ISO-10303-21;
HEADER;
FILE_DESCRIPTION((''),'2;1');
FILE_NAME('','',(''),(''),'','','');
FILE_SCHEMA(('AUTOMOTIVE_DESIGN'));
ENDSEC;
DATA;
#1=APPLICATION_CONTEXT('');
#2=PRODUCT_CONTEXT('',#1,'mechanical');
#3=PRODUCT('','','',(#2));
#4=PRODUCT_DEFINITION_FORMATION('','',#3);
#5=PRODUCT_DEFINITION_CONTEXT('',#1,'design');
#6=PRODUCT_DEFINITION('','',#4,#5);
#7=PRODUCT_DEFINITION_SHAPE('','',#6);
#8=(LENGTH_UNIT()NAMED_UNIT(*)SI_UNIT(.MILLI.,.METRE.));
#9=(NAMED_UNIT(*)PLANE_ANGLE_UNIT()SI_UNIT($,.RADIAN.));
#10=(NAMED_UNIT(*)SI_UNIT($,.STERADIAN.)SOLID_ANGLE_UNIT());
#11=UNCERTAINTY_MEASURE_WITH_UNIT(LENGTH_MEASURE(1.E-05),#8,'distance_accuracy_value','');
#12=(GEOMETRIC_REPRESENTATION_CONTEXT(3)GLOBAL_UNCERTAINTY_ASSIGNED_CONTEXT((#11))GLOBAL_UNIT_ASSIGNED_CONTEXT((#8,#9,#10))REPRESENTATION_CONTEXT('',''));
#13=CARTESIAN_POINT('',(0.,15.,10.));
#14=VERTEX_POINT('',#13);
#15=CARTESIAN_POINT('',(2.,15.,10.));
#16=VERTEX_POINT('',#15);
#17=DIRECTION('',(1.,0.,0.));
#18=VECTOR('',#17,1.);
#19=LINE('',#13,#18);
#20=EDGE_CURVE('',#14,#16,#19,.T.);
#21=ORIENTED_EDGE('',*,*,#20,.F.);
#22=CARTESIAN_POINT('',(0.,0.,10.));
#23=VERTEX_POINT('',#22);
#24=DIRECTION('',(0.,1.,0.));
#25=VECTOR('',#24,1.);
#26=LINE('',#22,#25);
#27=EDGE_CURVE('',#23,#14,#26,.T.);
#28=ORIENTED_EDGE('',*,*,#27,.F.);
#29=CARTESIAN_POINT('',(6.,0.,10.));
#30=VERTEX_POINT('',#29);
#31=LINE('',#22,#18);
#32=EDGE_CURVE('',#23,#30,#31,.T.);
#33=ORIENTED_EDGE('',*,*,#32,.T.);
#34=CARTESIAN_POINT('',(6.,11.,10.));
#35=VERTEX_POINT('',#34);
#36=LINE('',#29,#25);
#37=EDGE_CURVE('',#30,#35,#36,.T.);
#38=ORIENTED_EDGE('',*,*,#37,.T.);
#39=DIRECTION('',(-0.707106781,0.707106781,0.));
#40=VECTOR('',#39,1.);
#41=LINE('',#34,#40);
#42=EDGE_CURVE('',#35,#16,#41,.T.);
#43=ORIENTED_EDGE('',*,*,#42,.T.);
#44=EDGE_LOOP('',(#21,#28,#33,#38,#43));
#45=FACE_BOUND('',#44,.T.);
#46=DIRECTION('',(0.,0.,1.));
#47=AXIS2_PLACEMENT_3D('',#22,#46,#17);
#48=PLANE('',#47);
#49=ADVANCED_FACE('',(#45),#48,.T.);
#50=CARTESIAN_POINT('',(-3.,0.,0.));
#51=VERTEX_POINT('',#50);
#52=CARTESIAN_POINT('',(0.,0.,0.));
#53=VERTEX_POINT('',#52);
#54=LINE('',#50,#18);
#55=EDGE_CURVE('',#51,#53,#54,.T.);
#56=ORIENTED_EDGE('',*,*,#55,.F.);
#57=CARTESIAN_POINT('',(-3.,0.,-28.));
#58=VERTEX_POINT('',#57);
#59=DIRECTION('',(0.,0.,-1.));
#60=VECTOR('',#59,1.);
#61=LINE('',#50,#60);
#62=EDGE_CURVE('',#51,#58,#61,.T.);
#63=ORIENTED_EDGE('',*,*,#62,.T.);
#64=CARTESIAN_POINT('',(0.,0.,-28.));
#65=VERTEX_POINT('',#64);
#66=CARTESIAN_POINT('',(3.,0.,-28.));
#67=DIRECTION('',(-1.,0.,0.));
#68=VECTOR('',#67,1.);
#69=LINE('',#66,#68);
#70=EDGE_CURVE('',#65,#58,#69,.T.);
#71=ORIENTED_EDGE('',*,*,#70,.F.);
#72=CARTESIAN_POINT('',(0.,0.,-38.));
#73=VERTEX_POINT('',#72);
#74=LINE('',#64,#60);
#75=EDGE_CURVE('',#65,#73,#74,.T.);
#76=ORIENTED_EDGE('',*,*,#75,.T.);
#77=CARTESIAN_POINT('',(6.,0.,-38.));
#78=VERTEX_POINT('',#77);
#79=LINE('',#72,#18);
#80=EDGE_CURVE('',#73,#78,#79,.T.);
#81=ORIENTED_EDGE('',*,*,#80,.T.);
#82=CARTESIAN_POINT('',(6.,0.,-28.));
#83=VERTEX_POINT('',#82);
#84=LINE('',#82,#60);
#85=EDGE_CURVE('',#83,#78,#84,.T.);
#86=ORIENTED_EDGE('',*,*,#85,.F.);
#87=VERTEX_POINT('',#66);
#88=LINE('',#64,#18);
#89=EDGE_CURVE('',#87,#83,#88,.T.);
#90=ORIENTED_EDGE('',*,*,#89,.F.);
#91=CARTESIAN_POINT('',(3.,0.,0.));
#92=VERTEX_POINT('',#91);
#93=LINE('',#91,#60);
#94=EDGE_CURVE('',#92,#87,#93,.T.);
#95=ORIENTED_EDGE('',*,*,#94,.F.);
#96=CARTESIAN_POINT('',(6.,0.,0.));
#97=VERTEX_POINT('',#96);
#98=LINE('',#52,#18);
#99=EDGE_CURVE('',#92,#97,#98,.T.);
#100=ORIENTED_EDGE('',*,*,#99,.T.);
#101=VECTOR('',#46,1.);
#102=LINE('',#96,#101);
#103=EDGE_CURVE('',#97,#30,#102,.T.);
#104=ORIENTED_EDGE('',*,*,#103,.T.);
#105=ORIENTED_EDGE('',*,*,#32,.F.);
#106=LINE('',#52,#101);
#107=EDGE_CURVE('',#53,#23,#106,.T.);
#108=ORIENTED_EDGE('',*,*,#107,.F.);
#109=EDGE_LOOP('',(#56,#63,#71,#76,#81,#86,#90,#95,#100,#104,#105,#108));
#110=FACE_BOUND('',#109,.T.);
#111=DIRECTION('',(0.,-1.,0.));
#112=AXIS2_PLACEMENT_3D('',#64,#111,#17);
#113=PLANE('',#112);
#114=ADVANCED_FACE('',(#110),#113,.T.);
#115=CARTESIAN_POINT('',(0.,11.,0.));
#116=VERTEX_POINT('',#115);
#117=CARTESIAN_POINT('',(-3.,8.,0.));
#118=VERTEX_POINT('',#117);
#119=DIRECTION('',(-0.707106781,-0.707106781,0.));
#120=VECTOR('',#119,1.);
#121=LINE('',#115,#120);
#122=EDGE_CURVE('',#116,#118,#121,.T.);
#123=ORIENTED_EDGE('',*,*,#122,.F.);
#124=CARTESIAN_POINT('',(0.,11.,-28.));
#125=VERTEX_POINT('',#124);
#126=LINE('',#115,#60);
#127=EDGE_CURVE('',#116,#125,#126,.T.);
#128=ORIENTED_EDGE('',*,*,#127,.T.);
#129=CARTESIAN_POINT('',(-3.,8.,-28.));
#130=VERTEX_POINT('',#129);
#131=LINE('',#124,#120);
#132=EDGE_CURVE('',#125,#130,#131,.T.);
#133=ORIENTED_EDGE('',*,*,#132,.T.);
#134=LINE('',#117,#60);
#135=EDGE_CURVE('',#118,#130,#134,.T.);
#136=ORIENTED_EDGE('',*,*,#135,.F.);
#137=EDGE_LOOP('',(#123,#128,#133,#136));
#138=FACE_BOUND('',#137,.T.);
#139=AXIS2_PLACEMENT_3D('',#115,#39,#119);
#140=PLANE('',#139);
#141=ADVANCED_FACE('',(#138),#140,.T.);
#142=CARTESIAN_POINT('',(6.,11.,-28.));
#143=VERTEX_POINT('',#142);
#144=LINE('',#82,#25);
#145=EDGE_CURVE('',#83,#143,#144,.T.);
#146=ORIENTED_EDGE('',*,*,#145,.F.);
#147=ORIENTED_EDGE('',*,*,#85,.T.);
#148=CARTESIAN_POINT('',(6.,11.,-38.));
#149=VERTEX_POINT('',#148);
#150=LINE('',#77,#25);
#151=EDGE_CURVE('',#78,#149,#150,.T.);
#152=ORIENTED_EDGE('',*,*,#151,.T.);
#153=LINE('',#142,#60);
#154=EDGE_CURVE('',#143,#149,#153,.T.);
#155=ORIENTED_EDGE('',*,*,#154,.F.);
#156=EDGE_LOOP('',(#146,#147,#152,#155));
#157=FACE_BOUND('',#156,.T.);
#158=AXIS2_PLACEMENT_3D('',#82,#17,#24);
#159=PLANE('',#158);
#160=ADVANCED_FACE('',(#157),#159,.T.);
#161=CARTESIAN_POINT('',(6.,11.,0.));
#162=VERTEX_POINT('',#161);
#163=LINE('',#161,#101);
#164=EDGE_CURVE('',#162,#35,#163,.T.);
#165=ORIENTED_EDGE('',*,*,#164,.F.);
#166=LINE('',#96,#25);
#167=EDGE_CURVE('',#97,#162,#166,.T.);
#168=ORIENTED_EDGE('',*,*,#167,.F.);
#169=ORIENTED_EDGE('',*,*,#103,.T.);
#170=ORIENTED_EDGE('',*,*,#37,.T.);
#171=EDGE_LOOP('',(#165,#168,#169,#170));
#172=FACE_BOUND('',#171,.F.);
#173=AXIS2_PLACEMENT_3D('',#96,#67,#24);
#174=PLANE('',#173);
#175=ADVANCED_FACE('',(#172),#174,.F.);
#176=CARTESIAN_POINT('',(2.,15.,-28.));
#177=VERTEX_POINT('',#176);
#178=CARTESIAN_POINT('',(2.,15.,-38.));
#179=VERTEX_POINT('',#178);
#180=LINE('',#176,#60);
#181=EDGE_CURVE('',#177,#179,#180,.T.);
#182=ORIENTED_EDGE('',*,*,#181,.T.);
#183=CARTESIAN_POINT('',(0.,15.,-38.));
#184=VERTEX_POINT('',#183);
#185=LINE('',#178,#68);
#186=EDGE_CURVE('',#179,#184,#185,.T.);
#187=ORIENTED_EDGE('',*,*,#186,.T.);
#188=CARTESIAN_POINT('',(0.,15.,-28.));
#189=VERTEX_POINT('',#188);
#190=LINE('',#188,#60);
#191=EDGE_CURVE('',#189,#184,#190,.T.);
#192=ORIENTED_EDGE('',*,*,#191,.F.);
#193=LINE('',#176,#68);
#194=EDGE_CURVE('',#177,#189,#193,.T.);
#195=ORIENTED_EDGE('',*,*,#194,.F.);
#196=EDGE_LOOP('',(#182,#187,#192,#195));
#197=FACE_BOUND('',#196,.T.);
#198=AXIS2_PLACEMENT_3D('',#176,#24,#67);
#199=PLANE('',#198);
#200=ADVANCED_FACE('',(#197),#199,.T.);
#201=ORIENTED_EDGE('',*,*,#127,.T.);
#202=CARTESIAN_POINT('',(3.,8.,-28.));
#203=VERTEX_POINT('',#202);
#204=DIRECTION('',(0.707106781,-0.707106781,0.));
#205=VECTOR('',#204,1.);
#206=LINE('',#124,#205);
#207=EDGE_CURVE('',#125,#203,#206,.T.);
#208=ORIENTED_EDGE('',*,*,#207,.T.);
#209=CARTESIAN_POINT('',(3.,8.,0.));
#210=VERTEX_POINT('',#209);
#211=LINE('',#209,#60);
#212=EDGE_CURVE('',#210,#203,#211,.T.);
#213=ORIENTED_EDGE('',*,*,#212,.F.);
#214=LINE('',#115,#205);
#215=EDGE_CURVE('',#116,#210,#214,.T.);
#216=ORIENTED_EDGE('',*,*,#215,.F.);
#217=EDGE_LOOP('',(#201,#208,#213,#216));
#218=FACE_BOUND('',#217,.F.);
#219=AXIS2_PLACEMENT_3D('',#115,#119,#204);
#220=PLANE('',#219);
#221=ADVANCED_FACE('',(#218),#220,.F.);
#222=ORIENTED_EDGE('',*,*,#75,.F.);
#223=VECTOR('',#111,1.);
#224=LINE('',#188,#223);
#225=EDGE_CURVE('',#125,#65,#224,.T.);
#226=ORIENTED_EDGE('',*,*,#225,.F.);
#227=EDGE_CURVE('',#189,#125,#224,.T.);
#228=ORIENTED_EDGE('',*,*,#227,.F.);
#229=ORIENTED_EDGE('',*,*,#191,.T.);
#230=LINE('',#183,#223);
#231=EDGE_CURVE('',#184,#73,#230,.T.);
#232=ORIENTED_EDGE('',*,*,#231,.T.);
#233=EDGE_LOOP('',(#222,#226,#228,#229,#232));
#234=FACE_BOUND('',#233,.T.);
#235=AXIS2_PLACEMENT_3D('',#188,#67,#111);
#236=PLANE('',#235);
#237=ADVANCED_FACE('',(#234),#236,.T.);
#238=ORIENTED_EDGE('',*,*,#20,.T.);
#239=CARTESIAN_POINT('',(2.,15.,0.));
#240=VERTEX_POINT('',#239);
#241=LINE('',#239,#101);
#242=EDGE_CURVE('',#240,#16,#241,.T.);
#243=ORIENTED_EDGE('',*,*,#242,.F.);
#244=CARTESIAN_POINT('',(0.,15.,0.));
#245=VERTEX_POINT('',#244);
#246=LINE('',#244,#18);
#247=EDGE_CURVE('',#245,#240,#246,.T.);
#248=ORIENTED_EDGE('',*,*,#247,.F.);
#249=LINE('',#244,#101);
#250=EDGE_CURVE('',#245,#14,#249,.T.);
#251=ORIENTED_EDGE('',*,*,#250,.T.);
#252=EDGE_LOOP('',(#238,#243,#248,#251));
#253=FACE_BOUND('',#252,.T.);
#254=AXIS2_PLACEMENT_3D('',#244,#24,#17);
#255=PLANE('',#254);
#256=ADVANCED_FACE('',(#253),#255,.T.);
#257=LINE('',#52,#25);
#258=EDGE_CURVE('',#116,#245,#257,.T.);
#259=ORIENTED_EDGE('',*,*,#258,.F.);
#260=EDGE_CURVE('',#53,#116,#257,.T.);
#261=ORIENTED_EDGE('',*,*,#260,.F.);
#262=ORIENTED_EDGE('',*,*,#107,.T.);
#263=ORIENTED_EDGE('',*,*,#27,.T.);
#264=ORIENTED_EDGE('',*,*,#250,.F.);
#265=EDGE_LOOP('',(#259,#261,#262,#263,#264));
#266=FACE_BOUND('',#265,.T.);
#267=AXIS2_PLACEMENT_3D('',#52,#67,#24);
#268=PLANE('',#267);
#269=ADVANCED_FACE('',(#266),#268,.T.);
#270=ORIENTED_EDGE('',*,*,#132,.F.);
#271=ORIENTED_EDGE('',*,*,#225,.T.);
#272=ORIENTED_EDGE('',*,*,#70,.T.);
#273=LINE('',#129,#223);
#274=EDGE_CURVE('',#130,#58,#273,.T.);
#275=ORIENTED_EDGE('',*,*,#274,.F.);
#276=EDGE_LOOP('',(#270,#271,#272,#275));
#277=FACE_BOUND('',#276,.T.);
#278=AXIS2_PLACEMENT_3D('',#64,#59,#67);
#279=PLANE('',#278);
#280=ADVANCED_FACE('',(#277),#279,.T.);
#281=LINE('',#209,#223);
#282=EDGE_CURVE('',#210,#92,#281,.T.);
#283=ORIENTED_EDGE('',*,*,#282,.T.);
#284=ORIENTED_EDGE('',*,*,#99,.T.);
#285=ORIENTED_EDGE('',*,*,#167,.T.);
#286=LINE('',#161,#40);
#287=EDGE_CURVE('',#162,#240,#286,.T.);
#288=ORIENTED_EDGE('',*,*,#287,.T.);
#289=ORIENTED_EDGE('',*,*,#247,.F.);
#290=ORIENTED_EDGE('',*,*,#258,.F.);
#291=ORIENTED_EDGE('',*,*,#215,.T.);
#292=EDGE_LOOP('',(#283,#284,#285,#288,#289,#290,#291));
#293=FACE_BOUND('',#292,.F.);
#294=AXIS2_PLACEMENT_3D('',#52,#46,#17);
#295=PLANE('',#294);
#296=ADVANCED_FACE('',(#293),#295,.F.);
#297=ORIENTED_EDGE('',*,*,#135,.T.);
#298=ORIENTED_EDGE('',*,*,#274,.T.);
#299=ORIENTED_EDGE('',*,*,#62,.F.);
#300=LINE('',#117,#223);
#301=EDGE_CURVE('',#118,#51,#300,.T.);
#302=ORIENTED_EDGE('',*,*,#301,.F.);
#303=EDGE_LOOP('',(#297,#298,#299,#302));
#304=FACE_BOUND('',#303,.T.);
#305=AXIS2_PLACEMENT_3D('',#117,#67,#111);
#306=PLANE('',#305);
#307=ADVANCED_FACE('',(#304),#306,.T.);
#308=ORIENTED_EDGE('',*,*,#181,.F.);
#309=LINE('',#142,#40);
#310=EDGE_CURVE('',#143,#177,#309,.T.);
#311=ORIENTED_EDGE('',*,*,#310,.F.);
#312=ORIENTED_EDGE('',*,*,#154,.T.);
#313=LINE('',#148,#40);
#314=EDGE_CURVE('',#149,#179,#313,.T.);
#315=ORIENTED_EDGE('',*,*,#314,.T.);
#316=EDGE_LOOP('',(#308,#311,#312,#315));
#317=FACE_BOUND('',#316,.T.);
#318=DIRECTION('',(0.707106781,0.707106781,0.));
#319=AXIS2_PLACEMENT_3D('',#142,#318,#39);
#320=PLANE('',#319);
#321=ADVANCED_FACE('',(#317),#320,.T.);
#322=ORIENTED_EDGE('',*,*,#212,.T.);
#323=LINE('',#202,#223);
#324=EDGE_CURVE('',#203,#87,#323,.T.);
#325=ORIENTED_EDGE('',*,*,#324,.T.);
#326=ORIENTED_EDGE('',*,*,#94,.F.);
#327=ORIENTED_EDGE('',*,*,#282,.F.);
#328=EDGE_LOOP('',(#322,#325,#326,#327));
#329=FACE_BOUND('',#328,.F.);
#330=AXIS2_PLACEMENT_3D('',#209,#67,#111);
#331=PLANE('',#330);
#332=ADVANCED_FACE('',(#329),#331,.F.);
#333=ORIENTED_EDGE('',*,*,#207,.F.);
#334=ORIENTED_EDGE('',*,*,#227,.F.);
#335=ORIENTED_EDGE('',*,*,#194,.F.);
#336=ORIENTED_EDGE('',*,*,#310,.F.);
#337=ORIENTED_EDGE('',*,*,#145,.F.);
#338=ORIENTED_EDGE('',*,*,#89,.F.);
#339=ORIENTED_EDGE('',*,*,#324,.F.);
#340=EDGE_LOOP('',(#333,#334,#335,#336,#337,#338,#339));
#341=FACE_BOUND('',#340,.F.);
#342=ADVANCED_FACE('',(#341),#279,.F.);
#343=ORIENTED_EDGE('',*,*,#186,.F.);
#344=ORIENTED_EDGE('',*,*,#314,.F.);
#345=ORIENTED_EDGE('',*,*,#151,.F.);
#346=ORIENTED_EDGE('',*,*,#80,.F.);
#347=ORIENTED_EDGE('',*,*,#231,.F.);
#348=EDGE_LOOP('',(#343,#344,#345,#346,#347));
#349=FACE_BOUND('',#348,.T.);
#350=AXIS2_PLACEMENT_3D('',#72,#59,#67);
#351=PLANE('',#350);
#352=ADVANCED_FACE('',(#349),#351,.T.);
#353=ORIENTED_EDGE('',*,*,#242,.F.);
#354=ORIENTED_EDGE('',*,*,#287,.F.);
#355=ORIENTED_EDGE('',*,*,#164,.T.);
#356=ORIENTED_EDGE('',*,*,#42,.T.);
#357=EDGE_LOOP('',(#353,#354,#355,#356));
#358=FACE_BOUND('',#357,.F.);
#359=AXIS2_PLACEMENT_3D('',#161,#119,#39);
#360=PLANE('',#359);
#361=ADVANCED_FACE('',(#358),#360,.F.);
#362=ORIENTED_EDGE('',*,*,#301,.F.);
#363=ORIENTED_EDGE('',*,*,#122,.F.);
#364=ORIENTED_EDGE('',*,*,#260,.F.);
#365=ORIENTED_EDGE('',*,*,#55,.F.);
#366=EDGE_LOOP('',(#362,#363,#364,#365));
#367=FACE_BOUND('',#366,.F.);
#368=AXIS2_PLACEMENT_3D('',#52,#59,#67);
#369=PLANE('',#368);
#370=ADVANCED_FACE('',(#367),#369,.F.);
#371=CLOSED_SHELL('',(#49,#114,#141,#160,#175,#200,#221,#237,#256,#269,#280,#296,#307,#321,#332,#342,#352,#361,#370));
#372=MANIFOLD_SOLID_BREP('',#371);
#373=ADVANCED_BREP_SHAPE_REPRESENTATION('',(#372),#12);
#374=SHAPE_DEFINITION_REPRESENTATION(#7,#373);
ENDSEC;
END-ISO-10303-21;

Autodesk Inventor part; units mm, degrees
ref_plane "YZ Plane" through (0, 0, 0) normal (1, 0, 0) x (0, 1, 0)
ref_plane "XZ Plane" through (0, 0, 0) normal (0, 1, 0) x (-1, 0, 0)
ref_plane "XY Plane" through (0, 0, 0) normal (0, 0, 1) x (1, 0, 0)
sketch "Sketch1" plane through (0, 0, 0) normal (0, 0, 1) x (1, 0, 0)
  line L0 (0, 0) -> (0, 15)
  line L1 (0, 15) -> (2, 15)
  line L2 (0, 0) -> (6, 0)
  line L3 (6, 0) -> (6, 11)
  line L4 (6, 11) -> (2, 15)
  dimension "d0" = 15
  dimension "d1" = 2
  dimension "d2" = 6
  dimension "d3" = 11
extrude "Extrusion1" add sketch "Sketch1" along normal blind 10
sketch "Sketch2" plane through (0, 0, 0) normal (0, 0, -1) x (-1, 0, 0)
  line L0 (0, 15) -> (0, 0) projected
  line L1 (0, 0) -> (-3, 0)
  line L2 (0, 0) -> (-6, 0) projected
  line L3 (-6, 11) -> (-2, 15) projected
  line L4 (0, 0) -> (3, 0)
  line L5 (0, 11) -> (-3, 8)
  line L6 (0, 11) -> (3, 8)
  line L7 (-3, 8) -> (-3, 0)
  line L8 (3, 8) -> (3, 0)
extrude "Extrusion2" add sketch "Sketch2" along normal blind 28
sketch "Sketch3" plane through (0, 0, -28) normal (0, 0, -1) x (-1, 0, 0)
  line L0 (0, 15) -> (0, 0) projected
  line L1 (0, 0) -> (-6, 0) projected
  line L2 (0, 0) -> (-6, 0)
  line L3 (-6, 0) -> (-6, 11) projected
  line L4 (-6, 0) -> (-6, 11)
  line L5 (-6, 11) -> (-2, 15) projected
  line L6 (-6, 11) -> (-2, 15)
  line L7 (-2, 15) -> (0, 15) projected
  line L8 (-2, 15) -> (0, 15)
  line L9 (0, 15) -> (0, 0)
extrude "Extrusion3" add sketch "Sketch3" along normal blind 10
properties part number "inside-join"
